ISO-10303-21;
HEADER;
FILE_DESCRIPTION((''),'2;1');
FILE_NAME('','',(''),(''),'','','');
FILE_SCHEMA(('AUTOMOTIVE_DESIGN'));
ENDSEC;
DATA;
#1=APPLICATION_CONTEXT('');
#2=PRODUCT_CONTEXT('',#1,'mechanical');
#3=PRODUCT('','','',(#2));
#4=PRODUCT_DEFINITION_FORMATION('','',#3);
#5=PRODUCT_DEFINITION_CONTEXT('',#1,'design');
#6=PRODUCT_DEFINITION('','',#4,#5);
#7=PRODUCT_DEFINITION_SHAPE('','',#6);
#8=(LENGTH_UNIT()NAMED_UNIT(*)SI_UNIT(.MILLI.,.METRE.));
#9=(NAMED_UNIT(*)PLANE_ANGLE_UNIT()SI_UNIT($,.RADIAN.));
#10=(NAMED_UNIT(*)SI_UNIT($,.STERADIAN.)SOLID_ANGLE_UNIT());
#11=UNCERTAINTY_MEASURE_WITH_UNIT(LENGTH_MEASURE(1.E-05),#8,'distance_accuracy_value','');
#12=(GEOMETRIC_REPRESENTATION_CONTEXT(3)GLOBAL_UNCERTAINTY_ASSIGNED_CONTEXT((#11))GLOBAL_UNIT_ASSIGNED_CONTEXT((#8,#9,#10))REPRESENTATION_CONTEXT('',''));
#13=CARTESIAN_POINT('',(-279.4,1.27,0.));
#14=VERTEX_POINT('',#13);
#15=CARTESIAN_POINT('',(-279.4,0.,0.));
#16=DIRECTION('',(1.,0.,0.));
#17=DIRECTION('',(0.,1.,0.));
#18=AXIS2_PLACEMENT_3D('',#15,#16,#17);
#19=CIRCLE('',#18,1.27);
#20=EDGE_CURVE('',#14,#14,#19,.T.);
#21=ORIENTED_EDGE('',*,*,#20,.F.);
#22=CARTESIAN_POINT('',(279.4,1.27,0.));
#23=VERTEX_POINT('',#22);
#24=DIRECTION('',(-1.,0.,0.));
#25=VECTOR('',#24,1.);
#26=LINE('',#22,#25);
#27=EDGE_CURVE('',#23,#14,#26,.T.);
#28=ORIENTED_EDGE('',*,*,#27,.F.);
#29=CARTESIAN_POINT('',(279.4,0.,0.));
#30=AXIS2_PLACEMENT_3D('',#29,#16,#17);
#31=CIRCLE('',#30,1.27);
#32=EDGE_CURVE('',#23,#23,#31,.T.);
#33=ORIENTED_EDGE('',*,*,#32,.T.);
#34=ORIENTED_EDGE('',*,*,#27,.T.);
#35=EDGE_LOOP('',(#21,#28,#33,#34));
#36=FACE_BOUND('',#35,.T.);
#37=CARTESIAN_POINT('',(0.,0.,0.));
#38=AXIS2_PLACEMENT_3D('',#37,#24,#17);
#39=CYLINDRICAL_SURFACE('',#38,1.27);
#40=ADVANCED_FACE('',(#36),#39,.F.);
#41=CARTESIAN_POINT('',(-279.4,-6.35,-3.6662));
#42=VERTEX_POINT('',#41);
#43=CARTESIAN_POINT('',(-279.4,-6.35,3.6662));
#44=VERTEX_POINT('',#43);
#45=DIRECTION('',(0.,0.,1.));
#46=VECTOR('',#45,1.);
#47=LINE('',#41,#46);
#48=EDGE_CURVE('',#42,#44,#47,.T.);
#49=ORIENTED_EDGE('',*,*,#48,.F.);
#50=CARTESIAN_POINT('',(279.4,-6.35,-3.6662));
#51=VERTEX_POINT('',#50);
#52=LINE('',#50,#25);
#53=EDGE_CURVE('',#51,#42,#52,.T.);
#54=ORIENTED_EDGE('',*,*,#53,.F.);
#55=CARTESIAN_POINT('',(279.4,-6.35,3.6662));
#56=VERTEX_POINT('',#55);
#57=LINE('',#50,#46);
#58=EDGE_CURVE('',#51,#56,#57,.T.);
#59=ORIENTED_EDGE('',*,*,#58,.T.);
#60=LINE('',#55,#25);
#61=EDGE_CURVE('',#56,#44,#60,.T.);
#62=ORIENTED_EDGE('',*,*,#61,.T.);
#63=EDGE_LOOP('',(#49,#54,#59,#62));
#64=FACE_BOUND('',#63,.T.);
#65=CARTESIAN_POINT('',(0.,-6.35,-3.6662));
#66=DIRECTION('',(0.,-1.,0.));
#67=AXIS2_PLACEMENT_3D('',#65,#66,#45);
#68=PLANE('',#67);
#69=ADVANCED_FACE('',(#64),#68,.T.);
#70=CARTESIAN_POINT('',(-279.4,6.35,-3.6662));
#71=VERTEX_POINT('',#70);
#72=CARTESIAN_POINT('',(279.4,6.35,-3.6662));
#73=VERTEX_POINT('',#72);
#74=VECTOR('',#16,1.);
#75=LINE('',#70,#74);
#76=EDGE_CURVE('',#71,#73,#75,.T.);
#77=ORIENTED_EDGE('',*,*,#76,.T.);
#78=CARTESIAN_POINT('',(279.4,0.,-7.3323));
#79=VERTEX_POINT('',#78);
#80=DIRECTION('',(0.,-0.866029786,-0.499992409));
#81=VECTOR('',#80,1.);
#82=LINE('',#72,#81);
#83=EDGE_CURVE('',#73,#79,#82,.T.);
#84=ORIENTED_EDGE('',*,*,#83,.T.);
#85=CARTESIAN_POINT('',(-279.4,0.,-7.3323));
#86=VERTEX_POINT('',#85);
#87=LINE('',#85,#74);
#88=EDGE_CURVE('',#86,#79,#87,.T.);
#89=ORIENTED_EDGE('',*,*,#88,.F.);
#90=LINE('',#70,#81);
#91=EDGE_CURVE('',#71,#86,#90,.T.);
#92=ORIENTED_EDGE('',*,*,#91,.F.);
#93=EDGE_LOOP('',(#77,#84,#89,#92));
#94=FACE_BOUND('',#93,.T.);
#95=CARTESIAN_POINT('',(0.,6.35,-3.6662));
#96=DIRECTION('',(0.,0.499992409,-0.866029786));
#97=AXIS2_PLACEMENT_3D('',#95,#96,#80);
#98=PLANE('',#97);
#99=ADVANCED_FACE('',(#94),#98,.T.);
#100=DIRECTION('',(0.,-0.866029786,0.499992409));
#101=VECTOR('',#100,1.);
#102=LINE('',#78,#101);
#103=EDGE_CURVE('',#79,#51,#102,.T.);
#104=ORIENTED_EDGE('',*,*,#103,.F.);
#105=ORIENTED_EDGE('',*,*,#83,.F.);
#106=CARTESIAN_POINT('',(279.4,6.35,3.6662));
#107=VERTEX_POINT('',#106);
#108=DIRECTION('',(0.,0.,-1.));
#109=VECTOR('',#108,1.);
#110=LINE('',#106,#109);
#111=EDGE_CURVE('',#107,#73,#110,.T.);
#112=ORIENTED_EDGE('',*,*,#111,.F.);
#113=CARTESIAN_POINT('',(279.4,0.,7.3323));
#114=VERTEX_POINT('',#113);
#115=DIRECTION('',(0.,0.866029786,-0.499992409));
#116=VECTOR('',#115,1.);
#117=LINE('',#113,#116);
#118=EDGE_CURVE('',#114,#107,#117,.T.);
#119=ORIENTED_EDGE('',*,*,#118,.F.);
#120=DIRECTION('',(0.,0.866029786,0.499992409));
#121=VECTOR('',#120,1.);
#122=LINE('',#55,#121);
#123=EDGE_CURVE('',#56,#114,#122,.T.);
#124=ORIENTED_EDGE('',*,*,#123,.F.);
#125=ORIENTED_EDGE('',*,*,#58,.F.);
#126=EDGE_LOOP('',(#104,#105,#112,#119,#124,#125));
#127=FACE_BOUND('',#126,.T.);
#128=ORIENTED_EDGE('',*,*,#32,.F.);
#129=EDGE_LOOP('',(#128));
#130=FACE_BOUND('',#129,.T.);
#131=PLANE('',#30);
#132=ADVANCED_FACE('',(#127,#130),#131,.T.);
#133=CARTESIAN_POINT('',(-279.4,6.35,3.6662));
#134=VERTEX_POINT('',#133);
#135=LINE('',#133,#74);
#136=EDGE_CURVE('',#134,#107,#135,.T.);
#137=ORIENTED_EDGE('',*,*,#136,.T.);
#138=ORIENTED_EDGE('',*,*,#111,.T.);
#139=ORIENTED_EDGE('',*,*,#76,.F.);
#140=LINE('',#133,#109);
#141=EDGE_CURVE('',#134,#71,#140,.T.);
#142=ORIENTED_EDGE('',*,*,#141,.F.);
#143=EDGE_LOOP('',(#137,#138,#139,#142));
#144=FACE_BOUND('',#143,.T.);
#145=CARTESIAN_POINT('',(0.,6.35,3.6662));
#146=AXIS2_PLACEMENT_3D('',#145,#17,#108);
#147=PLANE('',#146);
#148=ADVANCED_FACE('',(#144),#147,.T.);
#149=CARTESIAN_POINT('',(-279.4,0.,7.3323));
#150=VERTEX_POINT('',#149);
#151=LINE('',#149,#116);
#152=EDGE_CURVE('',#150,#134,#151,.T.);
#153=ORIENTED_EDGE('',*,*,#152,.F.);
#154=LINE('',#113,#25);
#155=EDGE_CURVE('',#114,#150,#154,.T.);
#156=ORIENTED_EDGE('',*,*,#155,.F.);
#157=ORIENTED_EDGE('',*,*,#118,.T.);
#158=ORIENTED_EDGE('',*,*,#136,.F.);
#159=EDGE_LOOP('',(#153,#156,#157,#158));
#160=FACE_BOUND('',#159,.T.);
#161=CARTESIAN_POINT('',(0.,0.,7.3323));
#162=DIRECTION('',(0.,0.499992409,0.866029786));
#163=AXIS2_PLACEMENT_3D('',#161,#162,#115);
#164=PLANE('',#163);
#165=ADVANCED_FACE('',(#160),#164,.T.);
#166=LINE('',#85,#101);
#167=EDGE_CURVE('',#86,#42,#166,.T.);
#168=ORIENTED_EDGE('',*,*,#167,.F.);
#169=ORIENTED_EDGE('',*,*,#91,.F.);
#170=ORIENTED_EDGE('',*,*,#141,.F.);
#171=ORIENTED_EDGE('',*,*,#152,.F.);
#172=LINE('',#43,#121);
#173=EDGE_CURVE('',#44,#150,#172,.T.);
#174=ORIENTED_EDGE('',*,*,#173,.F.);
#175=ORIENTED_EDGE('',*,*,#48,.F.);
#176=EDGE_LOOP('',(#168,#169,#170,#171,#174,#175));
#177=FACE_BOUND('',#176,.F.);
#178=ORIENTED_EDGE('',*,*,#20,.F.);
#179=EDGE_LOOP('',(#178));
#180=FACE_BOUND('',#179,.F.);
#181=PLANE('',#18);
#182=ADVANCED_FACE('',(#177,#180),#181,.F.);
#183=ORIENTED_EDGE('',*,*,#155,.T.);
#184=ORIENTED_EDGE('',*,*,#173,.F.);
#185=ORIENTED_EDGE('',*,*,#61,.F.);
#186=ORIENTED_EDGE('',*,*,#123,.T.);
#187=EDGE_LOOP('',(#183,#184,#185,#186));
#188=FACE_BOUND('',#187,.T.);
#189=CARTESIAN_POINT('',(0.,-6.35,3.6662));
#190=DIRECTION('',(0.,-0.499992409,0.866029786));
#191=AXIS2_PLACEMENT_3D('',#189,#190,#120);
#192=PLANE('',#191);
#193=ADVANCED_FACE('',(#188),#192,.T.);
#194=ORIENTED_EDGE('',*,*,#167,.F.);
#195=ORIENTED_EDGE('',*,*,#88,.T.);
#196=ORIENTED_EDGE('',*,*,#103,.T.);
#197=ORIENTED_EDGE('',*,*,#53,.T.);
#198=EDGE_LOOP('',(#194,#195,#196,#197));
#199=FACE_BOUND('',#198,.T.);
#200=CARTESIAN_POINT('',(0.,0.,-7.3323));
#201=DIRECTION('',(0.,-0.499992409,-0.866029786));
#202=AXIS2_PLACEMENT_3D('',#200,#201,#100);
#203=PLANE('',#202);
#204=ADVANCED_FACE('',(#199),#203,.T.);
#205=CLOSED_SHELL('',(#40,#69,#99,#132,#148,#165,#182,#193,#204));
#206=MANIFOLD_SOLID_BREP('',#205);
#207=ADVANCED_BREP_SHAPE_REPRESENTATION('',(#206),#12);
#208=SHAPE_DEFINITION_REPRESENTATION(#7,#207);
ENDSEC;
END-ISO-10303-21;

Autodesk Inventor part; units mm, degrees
ref_plane "YZ Plane" through (0, 0, 0) normal (1, 0, 0) x (0, 1, 0)
ref_plane "XZ Plane" through (0, 0, 0) normal (0, 1, 0) x (-1, 0, 0)
ref_plane "XY Plane" through (0, 0, 0) normal (0, 0, 1) x (1, 0, 0)
sketch "Sketch1" plane through (0, 0, 0) normal (1, 0, 0) x (0, 1, 0)
  line L0 (0, -7.3323) -> (-6.35, -3.6662)
  line L1 (-6.35, -3.6662) -> (-6.35, 3.6662)
  line L2 (-6.35, 3.6662) -> (0, 7.3323)
  line L3 (0, 7.3323) -> (6.35, 3.6662)
  line L4 (6.35, 3.6662) -> (6.35, -3.6662)
  line L5 (6.35, -3.6662) -> (0, -7.3323)
  circle A0 centre (0, 0) radius 1.27
  dimension "d0" = 12.7
  dimension "d3" = 2.54
extrude "Extrusion2" add sketch "Sketch1" along normal mid plane 558.8
properties part number "hexShaft" material "Aluminum 6061"
